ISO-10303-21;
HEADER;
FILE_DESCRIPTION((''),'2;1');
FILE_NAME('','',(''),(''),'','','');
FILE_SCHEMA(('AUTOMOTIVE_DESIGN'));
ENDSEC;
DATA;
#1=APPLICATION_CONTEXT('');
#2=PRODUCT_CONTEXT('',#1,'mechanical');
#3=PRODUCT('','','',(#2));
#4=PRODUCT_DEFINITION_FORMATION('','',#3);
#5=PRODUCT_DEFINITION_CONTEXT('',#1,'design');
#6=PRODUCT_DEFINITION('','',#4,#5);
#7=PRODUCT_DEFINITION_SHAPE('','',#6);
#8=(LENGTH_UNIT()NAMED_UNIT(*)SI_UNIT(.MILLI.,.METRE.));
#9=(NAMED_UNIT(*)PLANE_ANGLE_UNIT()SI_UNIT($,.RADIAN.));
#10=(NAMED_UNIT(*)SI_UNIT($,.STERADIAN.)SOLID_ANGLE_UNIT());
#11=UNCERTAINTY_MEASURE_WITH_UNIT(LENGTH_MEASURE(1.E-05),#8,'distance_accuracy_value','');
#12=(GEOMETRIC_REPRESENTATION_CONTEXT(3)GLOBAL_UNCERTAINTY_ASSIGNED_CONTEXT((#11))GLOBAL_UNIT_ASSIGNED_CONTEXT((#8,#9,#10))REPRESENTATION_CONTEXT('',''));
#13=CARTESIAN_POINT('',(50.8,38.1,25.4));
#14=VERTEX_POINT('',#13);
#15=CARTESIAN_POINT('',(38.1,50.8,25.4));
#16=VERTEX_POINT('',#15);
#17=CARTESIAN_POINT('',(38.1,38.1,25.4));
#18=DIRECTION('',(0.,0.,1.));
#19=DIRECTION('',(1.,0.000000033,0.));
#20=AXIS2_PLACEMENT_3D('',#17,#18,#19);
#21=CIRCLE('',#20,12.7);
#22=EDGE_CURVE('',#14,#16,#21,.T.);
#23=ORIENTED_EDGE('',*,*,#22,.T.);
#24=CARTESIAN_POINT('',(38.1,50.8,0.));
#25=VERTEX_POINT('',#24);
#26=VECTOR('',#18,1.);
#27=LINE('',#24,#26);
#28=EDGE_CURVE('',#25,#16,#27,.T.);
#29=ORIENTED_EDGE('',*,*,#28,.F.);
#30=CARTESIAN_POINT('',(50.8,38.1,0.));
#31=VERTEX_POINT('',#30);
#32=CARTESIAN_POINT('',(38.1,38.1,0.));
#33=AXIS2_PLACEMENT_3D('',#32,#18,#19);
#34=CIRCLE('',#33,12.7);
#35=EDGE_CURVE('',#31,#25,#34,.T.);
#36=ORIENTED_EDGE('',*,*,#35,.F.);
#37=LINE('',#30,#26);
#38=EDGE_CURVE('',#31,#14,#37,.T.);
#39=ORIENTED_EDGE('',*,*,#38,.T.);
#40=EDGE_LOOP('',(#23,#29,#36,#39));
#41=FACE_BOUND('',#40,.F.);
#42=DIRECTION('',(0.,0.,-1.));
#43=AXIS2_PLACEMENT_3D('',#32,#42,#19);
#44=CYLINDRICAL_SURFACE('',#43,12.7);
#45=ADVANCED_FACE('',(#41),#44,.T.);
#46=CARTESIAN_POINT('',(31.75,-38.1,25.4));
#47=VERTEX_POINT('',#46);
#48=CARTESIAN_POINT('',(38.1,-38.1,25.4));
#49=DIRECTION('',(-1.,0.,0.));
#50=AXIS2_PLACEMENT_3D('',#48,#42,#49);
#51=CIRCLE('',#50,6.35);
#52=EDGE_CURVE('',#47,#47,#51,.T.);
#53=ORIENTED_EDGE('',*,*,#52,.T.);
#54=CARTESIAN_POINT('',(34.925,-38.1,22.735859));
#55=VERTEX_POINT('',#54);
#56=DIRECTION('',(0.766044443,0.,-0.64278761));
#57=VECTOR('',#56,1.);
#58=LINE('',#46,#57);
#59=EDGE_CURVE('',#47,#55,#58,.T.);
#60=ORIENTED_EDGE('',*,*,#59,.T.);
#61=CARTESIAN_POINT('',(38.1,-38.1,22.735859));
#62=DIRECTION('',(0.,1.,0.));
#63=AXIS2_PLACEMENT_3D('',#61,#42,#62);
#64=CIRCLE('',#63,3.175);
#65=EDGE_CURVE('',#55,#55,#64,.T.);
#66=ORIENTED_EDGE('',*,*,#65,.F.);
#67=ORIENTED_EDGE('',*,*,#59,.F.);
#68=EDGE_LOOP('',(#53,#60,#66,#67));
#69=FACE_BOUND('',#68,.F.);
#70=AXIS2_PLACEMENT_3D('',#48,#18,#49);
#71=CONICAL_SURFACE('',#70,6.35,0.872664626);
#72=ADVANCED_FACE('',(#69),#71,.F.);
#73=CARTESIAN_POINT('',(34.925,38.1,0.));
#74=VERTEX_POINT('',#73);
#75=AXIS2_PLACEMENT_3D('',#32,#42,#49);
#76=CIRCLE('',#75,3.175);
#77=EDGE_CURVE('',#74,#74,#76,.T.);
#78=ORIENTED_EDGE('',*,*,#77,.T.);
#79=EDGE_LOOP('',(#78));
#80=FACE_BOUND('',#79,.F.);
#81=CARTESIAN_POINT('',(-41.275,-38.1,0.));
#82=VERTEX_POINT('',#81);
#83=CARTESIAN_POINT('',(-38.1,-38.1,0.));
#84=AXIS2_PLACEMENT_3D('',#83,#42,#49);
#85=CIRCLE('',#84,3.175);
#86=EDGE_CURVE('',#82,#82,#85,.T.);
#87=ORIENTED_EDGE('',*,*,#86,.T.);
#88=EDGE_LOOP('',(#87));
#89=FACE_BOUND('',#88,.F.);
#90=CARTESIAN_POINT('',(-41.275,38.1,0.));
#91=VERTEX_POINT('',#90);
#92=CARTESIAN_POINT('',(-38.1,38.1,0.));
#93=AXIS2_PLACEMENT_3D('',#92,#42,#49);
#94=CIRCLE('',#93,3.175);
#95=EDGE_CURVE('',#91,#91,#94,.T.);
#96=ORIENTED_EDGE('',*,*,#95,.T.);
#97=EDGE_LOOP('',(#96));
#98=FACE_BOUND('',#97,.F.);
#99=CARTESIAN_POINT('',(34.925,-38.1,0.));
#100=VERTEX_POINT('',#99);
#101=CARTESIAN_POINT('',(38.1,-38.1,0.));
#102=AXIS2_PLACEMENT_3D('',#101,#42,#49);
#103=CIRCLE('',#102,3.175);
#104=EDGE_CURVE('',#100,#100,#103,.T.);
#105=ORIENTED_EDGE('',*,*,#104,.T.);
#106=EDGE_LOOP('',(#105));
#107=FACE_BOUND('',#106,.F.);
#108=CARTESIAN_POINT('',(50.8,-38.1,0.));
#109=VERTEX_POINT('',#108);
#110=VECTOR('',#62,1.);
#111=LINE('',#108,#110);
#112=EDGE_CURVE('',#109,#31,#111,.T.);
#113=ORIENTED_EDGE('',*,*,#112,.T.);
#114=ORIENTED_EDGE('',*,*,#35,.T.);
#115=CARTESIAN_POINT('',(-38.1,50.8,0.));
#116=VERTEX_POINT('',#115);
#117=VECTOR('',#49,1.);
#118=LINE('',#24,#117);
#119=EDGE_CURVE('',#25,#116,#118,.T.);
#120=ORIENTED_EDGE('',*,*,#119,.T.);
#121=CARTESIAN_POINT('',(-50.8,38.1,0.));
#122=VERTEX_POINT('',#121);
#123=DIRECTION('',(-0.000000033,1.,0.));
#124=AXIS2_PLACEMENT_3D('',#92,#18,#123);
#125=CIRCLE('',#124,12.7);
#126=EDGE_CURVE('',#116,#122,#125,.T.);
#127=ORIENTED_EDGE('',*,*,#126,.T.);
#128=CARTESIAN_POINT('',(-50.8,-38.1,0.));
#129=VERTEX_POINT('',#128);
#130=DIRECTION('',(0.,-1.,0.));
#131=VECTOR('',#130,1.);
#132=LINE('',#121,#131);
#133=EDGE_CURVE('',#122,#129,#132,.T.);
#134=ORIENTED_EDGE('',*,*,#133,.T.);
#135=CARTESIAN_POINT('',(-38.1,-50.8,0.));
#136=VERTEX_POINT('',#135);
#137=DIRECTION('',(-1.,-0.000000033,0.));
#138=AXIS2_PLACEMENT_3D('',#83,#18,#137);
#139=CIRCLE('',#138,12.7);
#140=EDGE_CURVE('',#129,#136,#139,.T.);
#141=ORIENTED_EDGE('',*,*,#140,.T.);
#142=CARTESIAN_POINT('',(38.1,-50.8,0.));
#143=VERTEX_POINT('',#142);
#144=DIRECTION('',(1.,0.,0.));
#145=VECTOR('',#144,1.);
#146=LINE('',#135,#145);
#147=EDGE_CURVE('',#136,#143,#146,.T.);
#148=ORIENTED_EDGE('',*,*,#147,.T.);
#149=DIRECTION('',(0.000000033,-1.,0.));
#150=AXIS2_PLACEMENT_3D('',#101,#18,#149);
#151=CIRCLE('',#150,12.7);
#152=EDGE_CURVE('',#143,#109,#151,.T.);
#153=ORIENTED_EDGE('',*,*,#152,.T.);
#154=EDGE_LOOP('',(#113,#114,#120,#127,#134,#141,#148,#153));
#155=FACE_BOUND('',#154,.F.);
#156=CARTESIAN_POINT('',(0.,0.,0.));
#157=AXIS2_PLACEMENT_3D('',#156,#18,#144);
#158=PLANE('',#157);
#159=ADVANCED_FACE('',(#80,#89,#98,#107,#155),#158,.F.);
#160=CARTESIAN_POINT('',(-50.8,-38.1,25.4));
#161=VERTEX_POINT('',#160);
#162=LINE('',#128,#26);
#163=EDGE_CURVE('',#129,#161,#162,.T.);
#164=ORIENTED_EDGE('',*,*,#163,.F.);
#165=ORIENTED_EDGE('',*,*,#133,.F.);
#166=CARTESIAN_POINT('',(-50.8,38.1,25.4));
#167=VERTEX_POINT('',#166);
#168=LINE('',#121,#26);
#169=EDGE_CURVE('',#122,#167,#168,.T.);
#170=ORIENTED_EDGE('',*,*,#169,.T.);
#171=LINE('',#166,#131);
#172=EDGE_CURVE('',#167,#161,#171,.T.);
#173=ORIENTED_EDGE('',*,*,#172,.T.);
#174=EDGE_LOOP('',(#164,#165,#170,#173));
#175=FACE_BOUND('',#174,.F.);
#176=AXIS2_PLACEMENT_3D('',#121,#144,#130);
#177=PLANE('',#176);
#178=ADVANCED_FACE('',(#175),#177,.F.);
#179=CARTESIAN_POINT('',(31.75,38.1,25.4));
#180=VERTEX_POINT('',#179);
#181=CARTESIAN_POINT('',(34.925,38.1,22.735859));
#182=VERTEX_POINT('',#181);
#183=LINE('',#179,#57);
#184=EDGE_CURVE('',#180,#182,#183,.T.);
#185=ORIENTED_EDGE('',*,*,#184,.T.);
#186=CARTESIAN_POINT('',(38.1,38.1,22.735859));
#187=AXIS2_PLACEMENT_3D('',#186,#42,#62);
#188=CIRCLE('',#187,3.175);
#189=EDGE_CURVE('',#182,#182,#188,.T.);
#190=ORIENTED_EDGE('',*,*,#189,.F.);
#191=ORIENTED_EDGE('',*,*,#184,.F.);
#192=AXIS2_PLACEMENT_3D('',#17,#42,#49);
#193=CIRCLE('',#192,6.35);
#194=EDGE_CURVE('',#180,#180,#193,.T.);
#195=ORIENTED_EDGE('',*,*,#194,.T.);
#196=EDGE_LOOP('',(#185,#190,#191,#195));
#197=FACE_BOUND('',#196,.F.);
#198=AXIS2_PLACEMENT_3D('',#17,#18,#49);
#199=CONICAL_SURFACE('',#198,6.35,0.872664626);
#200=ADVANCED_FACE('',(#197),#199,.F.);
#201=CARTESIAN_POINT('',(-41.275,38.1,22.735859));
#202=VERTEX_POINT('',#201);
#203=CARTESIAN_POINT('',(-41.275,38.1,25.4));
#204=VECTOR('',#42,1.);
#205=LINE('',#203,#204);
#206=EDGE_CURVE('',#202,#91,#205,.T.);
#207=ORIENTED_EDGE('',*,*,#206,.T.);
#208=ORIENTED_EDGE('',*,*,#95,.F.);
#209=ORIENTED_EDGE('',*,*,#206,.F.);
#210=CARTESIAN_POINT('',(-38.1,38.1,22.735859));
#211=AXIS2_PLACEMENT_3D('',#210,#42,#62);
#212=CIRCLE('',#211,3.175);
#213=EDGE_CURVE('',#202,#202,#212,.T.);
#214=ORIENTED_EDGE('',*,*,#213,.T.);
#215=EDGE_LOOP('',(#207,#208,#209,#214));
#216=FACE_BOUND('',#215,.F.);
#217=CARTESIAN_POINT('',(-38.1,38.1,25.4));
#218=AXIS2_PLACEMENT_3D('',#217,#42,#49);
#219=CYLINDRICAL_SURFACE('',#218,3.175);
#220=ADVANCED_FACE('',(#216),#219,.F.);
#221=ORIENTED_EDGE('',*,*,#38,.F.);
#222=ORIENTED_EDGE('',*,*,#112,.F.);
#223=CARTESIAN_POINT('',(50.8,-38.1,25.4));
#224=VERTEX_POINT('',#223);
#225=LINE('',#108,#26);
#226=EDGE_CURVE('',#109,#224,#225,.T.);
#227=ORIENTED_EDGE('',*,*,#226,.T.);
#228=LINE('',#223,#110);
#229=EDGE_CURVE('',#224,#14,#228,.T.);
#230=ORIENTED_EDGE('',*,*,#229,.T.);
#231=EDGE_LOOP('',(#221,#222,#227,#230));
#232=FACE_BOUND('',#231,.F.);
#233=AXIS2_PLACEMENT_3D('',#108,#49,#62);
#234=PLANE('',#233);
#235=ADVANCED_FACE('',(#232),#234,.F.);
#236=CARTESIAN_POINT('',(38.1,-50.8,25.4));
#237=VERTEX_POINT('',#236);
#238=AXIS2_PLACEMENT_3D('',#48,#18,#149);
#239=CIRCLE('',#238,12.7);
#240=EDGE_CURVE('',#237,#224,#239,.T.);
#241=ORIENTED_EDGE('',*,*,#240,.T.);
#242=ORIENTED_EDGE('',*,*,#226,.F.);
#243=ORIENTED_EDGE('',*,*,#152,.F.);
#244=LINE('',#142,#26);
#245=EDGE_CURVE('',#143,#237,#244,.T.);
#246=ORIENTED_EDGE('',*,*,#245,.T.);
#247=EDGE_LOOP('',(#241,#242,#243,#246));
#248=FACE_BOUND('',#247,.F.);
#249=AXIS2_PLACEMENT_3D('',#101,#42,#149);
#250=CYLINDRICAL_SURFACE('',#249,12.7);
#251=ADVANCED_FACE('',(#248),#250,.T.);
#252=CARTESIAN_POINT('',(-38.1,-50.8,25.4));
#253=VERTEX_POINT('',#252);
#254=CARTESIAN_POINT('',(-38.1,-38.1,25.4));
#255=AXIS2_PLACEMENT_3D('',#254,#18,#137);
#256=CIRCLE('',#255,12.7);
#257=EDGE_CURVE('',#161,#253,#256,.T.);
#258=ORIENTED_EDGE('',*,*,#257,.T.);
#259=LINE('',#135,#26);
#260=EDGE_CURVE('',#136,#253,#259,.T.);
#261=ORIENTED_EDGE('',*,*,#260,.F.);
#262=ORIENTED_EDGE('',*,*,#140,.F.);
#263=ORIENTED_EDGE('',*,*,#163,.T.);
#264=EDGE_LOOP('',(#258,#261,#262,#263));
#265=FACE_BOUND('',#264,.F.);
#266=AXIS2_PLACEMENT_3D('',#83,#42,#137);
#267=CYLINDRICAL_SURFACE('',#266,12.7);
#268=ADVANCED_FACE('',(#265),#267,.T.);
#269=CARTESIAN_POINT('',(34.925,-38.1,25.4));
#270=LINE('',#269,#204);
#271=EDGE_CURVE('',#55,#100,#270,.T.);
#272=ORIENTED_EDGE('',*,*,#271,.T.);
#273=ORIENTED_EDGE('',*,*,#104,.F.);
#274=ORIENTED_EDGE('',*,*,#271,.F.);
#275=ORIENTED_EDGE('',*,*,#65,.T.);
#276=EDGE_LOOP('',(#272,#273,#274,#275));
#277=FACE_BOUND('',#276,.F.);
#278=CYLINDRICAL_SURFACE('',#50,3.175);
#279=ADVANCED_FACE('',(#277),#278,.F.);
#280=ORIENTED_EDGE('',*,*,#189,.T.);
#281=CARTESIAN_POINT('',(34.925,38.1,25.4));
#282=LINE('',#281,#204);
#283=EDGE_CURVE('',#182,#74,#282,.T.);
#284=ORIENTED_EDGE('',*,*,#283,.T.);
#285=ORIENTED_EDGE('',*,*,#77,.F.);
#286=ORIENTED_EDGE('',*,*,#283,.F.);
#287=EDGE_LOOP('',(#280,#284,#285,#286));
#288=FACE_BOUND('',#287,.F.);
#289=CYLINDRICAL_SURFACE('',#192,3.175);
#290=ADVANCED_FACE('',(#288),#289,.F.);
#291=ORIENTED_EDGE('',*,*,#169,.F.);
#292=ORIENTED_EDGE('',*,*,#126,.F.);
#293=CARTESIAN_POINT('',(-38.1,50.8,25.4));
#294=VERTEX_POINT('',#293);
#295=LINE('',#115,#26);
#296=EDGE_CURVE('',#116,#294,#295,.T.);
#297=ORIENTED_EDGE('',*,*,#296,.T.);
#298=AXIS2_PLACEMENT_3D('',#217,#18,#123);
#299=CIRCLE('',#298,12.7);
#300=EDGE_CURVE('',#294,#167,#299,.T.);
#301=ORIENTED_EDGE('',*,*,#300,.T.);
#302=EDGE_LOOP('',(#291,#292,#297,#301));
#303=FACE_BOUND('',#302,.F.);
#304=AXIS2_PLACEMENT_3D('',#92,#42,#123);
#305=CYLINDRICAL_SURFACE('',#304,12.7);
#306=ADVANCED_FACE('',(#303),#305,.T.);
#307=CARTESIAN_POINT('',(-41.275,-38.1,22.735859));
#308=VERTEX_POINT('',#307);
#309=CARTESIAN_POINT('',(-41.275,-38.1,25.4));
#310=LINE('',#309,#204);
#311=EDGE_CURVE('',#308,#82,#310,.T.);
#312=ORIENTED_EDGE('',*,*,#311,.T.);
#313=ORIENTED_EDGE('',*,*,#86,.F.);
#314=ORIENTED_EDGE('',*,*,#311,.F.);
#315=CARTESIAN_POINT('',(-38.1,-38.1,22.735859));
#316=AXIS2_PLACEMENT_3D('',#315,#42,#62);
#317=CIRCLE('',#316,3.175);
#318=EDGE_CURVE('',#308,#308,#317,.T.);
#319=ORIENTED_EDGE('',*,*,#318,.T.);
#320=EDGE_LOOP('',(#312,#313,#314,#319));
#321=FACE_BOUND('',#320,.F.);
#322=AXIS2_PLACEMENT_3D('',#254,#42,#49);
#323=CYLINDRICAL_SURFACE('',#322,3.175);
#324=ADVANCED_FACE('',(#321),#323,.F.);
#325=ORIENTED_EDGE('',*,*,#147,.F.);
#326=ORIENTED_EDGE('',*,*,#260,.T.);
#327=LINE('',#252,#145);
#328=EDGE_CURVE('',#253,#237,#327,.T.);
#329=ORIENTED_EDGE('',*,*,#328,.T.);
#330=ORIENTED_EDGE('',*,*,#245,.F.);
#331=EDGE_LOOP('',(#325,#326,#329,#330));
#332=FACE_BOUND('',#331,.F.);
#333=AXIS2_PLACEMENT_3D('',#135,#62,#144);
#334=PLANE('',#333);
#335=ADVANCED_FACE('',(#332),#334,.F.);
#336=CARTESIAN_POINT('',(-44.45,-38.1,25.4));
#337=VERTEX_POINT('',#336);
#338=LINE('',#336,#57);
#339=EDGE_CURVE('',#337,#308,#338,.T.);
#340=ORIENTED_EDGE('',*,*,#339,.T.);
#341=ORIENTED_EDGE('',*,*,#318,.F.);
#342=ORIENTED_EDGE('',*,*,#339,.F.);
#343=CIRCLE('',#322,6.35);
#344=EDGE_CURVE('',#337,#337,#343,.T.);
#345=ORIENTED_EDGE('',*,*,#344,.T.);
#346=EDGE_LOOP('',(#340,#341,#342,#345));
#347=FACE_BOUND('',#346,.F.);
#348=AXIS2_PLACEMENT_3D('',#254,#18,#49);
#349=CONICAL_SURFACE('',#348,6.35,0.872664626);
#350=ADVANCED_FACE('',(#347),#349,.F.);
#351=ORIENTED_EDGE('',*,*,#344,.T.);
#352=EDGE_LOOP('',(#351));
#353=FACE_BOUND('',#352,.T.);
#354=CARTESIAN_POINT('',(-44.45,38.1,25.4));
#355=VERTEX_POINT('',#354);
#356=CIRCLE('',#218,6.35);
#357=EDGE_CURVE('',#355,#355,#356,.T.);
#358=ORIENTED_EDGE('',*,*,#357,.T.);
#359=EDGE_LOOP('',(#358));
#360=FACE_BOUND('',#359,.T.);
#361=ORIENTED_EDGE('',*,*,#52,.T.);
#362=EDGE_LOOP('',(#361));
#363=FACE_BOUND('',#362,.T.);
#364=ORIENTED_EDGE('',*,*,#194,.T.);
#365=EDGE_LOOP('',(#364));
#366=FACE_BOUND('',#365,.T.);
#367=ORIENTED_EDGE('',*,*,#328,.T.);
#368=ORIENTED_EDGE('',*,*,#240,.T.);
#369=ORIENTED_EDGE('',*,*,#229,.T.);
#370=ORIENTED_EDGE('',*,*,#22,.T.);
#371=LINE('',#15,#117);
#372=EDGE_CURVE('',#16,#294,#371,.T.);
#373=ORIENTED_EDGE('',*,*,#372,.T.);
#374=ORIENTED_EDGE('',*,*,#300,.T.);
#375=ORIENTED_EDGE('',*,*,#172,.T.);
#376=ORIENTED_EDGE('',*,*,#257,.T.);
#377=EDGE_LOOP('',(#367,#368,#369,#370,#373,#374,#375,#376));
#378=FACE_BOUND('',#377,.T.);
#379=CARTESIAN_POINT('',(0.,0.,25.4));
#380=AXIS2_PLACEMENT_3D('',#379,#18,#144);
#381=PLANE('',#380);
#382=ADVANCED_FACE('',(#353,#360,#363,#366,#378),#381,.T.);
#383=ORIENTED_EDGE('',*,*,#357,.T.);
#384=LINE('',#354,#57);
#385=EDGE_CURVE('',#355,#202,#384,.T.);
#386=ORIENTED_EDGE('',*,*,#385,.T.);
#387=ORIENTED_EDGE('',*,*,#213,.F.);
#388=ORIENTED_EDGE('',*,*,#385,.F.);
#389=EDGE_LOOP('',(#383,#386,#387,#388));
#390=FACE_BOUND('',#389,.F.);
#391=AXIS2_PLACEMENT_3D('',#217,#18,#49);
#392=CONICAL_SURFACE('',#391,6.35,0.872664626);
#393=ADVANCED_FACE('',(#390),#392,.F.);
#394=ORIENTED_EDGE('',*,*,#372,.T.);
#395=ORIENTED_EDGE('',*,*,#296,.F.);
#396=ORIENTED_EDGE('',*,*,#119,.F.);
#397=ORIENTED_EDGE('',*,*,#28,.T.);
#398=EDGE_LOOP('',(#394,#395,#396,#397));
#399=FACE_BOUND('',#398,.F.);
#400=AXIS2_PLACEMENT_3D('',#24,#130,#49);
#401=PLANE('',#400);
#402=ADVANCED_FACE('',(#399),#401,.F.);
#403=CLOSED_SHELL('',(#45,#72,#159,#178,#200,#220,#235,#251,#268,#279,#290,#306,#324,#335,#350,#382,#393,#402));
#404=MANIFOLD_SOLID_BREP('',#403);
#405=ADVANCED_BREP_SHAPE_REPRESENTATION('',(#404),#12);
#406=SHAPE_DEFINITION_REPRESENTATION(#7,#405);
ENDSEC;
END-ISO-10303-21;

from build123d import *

# Parameters (mm, degrees)
F1_DEPTH       = 25.4
F3_D           = 6.35
F3_CSINK_D     = 12.7
F3_CSINK_ANGLE = 100


with BuildPart() as f1:
    # F0 (on Top) → F1 (new body)
    with BuildSketch(Plane.XY):
        with BuildLine():
            ThreePointArc((-50.8, -38.1), (-47.080256, -47.080256), (-38.1, -50.8))
            Line((-38.1, -50.8), (38.1, -50.8))
            ThreePointArc((38.1, -50.8), (47.080256, -47.080256), (50.8, -38.1))
            Line((50.8, -38.1), (50.8, 38.1))
            ThreePointArc((50.8, 38.1), (47.080256, 47.080256), (38.1, 50.8))
            Line((38.1, 50.8), (-38.1, 50.8))
            ThreePointArc((-38.1, 50.8), (-47.080256, 47.080256), (-50.8, 38.1))
            Line((-50.8, 38.1), (-50.8, -38.1))
        make_face()
    extrude(amount=F1_DEPTH)

    # F3 (through all)
    with Locations(Plane.XY.offset(25.4)):
        with Locations((-38.1, 38.1), (38.1, 38.1), (38.1, -38.1), (-38.1, -38.1)):
            CounterSinkHole(F3_D / 2, F3_CSINK_D / 2, counter_sink_angle=F3_CSINK_ANGLE)


solid = f1.part
